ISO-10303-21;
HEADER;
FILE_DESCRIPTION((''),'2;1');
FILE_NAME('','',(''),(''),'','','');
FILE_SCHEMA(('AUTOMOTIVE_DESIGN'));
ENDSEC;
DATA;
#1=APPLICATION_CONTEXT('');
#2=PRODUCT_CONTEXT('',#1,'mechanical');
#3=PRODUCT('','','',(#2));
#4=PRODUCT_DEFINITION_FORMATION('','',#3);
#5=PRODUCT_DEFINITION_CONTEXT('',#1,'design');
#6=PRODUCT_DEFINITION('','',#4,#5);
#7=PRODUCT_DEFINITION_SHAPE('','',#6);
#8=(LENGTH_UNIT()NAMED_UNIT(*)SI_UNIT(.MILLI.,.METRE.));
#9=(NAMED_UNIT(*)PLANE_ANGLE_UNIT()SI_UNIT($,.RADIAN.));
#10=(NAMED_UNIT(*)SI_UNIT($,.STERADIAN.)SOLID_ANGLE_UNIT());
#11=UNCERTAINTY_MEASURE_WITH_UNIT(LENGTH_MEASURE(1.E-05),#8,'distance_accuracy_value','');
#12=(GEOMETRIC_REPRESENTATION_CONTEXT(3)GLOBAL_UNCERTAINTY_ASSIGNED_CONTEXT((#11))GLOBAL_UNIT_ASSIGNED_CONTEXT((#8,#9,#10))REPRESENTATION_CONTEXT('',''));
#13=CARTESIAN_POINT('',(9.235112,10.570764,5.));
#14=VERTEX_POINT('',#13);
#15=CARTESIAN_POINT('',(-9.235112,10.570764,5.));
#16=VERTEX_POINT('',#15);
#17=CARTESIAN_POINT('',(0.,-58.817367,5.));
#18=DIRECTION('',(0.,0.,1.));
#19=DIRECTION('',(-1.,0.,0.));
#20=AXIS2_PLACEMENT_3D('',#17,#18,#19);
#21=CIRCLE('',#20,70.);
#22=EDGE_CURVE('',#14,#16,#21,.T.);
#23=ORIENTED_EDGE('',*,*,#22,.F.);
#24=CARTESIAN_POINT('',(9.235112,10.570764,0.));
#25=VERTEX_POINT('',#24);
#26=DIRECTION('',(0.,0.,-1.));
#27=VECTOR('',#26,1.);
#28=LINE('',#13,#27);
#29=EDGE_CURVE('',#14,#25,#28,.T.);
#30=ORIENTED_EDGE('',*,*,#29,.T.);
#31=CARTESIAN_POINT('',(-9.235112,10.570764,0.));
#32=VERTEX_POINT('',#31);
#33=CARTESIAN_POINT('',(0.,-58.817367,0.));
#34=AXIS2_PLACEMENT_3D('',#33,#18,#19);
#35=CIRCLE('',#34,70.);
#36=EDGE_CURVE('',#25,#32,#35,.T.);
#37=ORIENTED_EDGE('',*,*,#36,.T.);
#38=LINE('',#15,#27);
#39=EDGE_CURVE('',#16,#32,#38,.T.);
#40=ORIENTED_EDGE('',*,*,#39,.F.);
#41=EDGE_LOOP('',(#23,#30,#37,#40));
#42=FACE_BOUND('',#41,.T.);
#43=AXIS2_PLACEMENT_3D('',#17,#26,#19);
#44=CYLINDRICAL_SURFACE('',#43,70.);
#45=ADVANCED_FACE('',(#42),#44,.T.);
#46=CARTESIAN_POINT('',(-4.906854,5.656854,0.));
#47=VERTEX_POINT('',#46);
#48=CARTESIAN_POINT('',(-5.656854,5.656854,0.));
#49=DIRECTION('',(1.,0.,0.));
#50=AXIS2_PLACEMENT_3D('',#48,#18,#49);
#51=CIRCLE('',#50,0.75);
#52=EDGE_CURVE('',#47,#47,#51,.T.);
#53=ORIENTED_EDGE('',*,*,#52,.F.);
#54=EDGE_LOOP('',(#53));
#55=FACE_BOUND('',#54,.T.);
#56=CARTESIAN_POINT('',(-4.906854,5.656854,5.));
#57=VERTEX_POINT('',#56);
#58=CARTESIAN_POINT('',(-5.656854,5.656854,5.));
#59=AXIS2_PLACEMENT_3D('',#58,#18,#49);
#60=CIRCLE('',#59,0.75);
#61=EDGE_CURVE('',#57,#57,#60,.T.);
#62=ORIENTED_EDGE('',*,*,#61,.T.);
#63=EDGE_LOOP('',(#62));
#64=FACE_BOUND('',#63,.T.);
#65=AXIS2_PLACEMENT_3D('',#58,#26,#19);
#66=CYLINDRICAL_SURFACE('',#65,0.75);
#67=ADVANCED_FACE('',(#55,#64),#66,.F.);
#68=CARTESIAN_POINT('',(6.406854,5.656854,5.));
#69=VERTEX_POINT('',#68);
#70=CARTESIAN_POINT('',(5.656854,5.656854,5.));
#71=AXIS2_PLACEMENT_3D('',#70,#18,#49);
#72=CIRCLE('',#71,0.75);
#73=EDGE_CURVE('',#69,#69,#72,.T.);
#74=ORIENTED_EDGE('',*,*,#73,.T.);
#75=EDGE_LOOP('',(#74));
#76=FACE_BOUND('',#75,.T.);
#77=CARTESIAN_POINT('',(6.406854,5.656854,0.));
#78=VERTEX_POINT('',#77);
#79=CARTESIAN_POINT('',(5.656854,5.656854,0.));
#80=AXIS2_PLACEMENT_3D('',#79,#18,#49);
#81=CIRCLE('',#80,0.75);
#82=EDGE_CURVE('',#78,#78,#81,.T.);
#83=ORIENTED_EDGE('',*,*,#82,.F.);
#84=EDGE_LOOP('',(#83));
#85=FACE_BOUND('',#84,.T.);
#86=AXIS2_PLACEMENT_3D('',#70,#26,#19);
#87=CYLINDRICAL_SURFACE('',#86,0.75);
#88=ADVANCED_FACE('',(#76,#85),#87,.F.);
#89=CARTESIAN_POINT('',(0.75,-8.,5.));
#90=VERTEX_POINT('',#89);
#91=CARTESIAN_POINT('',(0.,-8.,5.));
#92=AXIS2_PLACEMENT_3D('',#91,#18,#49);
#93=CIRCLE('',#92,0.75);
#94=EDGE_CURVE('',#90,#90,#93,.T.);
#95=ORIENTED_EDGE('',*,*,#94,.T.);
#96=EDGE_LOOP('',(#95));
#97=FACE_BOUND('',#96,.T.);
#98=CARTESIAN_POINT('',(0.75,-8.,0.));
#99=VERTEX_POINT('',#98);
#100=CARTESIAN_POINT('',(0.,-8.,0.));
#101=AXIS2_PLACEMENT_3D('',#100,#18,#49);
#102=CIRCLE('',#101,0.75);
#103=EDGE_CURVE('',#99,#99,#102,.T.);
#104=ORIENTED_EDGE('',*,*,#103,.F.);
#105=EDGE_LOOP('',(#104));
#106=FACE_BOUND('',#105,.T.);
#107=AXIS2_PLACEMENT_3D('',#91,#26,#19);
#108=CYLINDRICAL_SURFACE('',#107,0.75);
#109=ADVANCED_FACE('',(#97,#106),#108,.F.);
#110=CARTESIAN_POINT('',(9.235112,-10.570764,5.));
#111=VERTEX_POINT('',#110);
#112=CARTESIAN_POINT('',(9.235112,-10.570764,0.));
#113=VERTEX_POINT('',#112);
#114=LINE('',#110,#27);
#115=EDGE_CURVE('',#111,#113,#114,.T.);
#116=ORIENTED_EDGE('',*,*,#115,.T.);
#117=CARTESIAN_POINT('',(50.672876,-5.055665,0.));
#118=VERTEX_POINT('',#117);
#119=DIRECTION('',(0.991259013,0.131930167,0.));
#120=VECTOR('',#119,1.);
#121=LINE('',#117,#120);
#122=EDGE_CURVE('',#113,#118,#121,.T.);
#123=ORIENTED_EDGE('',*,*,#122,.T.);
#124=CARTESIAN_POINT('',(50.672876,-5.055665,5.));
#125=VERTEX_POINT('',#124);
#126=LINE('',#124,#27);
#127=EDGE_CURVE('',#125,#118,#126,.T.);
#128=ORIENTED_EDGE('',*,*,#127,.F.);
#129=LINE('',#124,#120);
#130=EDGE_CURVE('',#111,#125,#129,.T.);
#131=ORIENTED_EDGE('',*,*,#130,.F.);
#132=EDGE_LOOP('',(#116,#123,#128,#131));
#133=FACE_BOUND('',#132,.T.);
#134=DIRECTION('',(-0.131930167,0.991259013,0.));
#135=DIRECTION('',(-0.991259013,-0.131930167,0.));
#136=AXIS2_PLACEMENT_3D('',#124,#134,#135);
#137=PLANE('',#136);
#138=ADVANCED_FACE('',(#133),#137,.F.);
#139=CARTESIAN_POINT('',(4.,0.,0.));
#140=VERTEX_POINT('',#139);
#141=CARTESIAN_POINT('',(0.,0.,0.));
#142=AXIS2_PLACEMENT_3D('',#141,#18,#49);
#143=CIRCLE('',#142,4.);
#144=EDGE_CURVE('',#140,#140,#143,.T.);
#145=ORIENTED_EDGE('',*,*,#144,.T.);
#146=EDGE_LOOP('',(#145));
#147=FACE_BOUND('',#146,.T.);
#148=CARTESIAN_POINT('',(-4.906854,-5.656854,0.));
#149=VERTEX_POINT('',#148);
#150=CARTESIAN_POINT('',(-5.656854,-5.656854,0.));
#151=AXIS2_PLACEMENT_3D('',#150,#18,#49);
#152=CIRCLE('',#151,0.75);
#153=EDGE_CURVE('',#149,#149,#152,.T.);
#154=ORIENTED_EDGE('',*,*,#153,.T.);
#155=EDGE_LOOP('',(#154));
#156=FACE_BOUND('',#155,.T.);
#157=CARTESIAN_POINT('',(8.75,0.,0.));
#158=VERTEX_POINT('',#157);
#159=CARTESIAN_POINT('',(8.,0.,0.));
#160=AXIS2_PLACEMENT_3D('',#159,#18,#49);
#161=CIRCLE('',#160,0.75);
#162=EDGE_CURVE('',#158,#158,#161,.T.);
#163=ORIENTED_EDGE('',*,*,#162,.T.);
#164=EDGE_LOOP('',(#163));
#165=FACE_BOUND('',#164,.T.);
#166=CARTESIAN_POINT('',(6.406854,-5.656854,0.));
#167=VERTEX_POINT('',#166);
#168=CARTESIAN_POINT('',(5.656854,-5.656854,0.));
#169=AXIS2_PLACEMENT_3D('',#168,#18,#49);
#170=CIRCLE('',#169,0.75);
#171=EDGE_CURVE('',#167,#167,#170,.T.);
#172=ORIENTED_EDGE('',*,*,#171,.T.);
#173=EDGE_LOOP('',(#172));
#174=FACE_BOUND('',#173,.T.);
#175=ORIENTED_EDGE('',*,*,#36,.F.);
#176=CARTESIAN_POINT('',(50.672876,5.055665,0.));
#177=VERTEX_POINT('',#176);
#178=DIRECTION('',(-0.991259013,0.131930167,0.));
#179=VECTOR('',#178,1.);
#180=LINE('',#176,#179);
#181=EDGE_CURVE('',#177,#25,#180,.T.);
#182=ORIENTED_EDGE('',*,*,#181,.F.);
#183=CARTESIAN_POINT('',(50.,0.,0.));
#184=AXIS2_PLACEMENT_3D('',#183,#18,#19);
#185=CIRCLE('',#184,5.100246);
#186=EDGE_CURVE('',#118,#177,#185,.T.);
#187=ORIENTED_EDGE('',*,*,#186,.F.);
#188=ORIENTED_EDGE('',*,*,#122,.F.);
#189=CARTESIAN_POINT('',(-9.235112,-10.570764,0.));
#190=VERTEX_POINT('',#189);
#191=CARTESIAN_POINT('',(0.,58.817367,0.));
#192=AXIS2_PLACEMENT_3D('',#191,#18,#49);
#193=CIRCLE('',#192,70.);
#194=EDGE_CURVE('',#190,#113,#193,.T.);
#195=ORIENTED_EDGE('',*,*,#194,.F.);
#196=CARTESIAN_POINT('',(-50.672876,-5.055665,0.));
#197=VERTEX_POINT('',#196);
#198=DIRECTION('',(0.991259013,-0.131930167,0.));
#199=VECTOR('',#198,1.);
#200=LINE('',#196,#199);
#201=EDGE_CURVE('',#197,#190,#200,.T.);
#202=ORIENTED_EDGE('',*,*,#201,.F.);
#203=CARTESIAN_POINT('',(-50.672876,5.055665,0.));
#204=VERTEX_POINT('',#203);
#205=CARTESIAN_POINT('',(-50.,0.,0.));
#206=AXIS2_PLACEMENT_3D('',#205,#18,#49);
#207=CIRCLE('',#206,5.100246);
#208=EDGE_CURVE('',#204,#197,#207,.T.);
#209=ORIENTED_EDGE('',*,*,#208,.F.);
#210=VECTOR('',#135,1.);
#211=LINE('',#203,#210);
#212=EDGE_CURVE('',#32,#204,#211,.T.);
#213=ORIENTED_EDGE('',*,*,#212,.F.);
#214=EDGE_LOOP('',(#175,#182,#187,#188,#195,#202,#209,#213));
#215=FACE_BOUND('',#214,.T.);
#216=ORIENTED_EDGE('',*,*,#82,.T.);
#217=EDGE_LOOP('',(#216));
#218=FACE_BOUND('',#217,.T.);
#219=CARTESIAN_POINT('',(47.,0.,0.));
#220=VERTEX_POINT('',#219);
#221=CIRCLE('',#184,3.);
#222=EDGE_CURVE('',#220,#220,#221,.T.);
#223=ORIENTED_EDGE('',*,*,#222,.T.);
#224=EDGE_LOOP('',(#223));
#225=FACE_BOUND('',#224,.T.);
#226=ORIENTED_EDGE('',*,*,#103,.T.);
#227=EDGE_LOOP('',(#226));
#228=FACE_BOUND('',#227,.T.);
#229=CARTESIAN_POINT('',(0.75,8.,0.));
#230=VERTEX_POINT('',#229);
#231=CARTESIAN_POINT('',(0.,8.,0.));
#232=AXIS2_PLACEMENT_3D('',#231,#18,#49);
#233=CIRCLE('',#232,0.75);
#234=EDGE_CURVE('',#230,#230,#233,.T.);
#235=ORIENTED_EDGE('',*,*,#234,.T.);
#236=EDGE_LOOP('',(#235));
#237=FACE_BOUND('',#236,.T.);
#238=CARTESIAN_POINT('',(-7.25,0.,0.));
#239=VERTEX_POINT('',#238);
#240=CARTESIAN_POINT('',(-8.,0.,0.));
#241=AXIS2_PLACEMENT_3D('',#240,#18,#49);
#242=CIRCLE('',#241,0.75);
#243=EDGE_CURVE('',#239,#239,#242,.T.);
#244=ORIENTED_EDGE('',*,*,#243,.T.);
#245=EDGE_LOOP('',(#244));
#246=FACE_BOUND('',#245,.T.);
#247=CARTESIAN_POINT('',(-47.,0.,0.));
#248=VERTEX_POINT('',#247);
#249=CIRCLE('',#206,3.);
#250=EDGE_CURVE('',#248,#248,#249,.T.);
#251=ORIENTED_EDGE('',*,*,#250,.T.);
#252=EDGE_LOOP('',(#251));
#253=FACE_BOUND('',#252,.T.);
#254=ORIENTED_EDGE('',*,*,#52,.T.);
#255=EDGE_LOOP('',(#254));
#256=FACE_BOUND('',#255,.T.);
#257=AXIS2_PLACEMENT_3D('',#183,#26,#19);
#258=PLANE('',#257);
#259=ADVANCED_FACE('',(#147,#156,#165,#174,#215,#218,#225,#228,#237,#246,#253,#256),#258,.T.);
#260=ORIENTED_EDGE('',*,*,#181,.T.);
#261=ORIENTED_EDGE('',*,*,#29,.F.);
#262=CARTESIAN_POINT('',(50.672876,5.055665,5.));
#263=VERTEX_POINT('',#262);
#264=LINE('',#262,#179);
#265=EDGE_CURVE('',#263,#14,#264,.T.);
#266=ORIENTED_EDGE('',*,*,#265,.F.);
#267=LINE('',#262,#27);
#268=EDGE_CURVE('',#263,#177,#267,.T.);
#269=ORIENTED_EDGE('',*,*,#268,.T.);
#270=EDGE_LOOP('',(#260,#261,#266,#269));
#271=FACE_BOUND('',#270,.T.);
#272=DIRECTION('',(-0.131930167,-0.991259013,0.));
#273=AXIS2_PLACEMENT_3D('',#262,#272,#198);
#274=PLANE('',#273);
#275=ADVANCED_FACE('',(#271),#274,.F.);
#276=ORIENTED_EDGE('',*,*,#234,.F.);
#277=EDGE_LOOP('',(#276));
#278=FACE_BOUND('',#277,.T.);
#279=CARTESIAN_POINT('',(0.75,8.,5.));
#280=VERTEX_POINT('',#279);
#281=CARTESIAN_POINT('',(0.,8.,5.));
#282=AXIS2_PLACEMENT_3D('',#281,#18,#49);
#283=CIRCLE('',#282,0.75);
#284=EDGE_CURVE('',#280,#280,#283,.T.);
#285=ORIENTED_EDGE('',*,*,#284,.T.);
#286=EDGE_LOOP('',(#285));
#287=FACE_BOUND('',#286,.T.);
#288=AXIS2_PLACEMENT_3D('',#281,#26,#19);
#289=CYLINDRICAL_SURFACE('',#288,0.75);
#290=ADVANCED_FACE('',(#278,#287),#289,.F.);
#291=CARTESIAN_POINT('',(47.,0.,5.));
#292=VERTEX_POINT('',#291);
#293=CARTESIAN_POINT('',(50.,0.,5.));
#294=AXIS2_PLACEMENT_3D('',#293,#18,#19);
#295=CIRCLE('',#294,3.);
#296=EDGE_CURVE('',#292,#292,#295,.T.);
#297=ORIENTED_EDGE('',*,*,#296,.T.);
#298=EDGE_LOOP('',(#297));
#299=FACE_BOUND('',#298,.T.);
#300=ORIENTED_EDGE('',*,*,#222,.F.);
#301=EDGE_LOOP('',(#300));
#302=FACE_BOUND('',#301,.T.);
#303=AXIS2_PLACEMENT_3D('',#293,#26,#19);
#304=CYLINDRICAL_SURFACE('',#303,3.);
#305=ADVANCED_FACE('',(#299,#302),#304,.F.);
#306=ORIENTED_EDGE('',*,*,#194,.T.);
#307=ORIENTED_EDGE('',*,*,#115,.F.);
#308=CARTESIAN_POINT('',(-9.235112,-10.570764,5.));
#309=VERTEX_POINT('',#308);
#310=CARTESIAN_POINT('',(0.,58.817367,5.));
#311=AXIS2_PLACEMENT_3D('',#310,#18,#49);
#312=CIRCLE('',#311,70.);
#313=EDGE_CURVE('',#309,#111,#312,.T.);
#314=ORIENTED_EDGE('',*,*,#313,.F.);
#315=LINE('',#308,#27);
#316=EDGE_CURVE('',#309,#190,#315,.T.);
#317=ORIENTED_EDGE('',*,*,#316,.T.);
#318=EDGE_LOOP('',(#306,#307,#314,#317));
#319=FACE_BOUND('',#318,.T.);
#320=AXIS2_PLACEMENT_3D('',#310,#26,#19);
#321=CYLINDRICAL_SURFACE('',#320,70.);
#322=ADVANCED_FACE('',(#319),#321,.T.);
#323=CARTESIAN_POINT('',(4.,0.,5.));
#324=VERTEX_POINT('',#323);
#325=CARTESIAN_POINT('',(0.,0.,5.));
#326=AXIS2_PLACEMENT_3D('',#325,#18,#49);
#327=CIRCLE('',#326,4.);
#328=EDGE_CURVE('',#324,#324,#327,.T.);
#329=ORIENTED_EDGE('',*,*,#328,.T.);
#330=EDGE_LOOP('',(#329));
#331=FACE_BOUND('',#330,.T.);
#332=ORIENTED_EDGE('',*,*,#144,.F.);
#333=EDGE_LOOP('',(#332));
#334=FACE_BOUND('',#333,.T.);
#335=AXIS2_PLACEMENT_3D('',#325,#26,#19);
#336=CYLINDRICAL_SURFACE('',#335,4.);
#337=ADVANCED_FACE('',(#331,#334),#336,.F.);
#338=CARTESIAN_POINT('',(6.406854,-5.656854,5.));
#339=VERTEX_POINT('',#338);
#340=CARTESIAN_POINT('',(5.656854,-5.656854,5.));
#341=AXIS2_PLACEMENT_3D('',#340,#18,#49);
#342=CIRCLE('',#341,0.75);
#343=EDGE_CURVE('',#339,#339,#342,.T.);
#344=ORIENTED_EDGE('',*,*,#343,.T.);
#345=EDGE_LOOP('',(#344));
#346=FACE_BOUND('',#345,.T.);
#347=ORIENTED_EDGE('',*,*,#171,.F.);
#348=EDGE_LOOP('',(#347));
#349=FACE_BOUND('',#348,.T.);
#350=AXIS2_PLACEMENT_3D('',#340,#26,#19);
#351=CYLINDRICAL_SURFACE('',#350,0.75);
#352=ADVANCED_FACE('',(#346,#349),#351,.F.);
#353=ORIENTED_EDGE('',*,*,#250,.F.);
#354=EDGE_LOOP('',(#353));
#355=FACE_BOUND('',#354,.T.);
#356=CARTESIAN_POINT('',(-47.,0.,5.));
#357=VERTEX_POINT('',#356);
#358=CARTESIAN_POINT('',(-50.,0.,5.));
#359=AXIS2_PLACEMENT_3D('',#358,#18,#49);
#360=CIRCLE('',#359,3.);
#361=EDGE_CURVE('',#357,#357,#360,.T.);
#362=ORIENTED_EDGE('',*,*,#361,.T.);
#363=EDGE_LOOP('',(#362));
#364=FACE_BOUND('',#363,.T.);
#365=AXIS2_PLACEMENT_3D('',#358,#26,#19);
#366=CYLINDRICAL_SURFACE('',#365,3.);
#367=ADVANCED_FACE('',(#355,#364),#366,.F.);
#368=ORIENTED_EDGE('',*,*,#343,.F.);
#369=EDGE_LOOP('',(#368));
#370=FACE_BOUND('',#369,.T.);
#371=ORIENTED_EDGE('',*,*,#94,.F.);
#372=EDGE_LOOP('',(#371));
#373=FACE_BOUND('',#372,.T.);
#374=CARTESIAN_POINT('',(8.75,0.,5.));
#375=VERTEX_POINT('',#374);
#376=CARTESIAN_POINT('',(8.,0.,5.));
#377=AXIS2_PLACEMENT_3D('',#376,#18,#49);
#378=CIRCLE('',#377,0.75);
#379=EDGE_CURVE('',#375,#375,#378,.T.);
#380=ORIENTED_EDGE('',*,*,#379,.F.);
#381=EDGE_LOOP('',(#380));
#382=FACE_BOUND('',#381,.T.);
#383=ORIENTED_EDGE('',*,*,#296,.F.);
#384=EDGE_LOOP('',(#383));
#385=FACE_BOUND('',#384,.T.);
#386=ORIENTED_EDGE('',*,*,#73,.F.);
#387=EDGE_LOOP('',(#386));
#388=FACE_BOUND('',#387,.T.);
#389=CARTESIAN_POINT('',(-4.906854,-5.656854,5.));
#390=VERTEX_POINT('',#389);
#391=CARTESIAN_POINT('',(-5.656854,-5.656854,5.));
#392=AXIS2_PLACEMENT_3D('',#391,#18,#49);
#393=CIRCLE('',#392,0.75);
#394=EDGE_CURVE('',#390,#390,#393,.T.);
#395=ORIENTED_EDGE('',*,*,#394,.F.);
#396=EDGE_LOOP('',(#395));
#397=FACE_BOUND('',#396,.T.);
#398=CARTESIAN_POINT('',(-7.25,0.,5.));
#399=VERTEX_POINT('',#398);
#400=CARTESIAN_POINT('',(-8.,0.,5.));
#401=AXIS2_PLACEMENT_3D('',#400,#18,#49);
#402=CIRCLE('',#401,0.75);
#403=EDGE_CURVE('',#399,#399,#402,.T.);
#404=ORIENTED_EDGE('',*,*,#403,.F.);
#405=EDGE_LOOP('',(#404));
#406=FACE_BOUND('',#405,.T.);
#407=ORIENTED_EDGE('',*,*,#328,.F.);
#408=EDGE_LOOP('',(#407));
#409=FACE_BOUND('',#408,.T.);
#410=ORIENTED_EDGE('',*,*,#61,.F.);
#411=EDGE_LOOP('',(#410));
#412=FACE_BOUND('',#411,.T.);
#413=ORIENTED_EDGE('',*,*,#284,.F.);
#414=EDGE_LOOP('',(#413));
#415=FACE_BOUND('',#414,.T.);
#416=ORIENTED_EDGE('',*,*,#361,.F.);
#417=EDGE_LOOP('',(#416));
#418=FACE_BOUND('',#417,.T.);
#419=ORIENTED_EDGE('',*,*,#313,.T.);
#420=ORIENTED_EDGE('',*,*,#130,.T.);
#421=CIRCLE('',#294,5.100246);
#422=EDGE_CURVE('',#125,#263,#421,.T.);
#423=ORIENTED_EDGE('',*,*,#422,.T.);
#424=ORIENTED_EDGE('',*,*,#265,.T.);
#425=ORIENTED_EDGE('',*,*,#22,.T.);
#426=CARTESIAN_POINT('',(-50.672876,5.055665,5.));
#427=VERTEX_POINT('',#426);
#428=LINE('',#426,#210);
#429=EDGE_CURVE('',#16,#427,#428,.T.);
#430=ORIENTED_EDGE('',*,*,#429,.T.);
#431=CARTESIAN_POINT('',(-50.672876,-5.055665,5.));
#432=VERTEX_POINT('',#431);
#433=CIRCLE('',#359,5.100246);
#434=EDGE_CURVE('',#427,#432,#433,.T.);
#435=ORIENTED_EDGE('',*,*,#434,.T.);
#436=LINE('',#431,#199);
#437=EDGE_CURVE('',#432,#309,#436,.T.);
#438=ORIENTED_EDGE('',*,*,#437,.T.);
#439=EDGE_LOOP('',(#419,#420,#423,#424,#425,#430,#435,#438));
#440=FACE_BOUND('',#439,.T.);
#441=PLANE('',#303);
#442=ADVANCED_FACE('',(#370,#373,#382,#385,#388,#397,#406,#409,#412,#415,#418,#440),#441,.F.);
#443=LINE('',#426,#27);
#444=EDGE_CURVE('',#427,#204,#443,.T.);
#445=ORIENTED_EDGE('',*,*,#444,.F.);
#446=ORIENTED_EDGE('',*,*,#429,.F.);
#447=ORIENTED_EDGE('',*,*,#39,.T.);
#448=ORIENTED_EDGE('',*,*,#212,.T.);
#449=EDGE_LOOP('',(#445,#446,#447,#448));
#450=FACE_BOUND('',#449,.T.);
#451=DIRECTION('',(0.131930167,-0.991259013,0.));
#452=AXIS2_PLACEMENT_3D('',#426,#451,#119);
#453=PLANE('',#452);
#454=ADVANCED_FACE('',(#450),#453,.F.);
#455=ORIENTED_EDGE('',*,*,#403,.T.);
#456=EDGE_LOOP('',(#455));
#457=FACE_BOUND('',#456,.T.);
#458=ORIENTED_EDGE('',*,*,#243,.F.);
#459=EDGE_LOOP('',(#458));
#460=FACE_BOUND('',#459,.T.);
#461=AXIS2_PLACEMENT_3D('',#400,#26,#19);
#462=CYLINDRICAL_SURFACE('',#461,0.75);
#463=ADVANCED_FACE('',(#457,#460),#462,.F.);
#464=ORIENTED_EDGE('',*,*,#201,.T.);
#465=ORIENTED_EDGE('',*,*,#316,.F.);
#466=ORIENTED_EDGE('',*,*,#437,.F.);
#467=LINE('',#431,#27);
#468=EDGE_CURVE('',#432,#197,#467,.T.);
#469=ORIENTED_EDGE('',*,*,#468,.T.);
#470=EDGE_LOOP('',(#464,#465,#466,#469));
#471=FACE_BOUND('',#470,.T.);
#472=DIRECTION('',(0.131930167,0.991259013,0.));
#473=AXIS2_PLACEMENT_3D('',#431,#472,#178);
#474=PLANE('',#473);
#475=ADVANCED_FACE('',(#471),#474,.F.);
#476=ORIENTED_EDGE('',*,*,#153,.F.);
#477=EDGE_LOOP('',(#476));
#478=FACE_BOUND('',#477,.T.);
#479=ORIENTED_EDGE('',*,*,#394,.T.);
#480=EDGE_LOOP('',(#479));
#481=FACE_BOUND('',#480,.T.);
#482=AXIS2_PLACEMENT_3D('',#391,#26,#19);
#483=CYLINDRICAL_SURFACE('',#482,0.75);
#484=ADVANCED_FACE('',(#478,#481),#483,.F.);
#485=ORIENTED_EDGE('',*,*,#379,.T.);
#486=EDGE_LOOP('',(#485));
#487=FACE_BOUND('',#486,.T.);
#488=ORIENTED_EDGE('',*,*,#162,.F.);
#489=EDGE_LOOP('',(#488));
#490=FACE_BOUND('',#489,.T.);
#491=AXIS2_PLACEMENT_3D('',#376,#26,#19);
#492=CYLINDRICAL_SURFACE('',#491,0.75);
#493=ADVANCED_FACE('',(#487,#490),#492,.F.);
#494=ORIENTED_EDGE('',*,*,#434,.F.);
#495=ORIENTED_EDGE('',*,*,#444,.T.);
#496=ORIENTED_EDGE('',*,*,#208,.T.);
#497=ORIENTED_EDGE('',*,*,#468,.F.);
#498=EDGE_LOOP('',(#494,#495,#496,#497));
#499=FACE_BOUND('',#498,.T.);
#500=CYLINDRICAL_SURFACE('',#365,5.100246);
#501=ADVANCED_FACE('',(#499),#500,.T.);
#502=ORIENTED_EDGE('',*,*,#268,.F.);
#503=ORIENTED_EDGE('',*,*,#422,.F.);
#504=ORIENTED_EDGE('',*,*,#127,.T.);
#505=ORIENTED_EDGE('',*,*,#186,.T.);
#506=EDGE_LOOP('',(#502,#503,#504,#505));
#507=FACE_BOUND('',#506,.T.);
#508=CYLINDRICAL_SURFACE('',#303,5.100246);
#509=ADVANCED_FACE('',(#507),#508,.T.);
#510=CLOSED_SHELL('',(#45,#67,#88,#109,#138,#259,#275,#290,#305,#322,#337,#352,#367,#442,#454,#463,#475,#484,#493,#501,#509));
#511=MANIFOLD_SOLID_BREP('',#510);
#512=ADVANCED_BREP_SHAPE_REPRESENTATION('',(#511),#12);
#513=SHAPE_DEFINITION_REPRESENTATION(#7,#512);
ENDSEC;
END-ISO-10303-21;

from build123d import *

# Parameters (mm, degrees)
SZKIC1_R                    = 4
SZKIC1_R_2                  = 0.75
SZKIC1_R_3                  = 3
DODANIE_WYCI_GNI_CIE1_DEPTH = 5


with BuildPart() as part:
    # Szkic1 → Dodanie-wyciągnięcie1 (new body)
    with BuildSketch(Plane.XY):
        with BuildLine():
            Line((-50.67287635, 5.055665151), (-9.235111676, 10.570763761))
            ThreePointArc((-9.235111676, 10.570763761), (0, 11.182632843), (9.235111676, 10.570763761))
            Line((9.235111676, 10.570763761), (50.67287635, 5.055665151))
            ThreePointArc((50.67287635, 5.055665151), (55.100246338, 0), (50.67287635, -5.055665151))
            Line((50.67287635, -5.055665151), (9.235111676, -10.570763761))
            ThreePointArc((9.235111676, -10.570763761), (0, -11.182632843), (-9.235111676, -10.570763761))
            Line((-9.235111676, -10.570763761), (-50.67287635, -5.055665151))
            ThreePointArc((-50.67287635, -5.055665151), (-55.100246338, 0), (-50.67287635, 5.055665151))
        make_face()
        Circle(SZKIC1_R, mode=Mode.SUBTRACT)
        with Locations((-5.656854249, 5.656854249)):
            Circle(SZKIC1_R_2, mode=Mode.SUBTRACT)
        with Locations((-8, 0)):
            Circle(SZKIC1_R_2, mode=Mode.SUBTRACT)
        with Locations((0, 8)):
            Circle(SZKIC1_R_2, mode=Mode.SUBTRACT)
        with Locations((5.656854249, 5.656854249)):
            Circle(SZKIC1_R_2, mode=Mode.SUBTRACT)
        with Locations((-50, 0)):
            Circle(SZKIC1_R_3, mode=Mode.SUBTRACT)
        with Locations((50, 0)):
            Circle(SZKIC1_R_3, mode=Mode.SUBTRACT)
        with Locations((8, 0)):
            Circle(SZKIC1_R_2, mode=Mode.SUBTRACT)
        with Locations((5.656854249, -5.656854249)):
            Circle(SZKIC1_R_2, mode=Mode.SUBTRACT)
        with Locations((0, -8)):
            Circle(SZKIC1_R_2, mode=Mode.SUBTRACT)
        with Locations((-5.656854249, -5.656854249)):
            Circle(SZKIC1_R_2, mode=Mode.SUBTRACT)
    extrude(amount=DODANIE_WYCI_GNI_CIE1_DEPTH)


solid = part.part
